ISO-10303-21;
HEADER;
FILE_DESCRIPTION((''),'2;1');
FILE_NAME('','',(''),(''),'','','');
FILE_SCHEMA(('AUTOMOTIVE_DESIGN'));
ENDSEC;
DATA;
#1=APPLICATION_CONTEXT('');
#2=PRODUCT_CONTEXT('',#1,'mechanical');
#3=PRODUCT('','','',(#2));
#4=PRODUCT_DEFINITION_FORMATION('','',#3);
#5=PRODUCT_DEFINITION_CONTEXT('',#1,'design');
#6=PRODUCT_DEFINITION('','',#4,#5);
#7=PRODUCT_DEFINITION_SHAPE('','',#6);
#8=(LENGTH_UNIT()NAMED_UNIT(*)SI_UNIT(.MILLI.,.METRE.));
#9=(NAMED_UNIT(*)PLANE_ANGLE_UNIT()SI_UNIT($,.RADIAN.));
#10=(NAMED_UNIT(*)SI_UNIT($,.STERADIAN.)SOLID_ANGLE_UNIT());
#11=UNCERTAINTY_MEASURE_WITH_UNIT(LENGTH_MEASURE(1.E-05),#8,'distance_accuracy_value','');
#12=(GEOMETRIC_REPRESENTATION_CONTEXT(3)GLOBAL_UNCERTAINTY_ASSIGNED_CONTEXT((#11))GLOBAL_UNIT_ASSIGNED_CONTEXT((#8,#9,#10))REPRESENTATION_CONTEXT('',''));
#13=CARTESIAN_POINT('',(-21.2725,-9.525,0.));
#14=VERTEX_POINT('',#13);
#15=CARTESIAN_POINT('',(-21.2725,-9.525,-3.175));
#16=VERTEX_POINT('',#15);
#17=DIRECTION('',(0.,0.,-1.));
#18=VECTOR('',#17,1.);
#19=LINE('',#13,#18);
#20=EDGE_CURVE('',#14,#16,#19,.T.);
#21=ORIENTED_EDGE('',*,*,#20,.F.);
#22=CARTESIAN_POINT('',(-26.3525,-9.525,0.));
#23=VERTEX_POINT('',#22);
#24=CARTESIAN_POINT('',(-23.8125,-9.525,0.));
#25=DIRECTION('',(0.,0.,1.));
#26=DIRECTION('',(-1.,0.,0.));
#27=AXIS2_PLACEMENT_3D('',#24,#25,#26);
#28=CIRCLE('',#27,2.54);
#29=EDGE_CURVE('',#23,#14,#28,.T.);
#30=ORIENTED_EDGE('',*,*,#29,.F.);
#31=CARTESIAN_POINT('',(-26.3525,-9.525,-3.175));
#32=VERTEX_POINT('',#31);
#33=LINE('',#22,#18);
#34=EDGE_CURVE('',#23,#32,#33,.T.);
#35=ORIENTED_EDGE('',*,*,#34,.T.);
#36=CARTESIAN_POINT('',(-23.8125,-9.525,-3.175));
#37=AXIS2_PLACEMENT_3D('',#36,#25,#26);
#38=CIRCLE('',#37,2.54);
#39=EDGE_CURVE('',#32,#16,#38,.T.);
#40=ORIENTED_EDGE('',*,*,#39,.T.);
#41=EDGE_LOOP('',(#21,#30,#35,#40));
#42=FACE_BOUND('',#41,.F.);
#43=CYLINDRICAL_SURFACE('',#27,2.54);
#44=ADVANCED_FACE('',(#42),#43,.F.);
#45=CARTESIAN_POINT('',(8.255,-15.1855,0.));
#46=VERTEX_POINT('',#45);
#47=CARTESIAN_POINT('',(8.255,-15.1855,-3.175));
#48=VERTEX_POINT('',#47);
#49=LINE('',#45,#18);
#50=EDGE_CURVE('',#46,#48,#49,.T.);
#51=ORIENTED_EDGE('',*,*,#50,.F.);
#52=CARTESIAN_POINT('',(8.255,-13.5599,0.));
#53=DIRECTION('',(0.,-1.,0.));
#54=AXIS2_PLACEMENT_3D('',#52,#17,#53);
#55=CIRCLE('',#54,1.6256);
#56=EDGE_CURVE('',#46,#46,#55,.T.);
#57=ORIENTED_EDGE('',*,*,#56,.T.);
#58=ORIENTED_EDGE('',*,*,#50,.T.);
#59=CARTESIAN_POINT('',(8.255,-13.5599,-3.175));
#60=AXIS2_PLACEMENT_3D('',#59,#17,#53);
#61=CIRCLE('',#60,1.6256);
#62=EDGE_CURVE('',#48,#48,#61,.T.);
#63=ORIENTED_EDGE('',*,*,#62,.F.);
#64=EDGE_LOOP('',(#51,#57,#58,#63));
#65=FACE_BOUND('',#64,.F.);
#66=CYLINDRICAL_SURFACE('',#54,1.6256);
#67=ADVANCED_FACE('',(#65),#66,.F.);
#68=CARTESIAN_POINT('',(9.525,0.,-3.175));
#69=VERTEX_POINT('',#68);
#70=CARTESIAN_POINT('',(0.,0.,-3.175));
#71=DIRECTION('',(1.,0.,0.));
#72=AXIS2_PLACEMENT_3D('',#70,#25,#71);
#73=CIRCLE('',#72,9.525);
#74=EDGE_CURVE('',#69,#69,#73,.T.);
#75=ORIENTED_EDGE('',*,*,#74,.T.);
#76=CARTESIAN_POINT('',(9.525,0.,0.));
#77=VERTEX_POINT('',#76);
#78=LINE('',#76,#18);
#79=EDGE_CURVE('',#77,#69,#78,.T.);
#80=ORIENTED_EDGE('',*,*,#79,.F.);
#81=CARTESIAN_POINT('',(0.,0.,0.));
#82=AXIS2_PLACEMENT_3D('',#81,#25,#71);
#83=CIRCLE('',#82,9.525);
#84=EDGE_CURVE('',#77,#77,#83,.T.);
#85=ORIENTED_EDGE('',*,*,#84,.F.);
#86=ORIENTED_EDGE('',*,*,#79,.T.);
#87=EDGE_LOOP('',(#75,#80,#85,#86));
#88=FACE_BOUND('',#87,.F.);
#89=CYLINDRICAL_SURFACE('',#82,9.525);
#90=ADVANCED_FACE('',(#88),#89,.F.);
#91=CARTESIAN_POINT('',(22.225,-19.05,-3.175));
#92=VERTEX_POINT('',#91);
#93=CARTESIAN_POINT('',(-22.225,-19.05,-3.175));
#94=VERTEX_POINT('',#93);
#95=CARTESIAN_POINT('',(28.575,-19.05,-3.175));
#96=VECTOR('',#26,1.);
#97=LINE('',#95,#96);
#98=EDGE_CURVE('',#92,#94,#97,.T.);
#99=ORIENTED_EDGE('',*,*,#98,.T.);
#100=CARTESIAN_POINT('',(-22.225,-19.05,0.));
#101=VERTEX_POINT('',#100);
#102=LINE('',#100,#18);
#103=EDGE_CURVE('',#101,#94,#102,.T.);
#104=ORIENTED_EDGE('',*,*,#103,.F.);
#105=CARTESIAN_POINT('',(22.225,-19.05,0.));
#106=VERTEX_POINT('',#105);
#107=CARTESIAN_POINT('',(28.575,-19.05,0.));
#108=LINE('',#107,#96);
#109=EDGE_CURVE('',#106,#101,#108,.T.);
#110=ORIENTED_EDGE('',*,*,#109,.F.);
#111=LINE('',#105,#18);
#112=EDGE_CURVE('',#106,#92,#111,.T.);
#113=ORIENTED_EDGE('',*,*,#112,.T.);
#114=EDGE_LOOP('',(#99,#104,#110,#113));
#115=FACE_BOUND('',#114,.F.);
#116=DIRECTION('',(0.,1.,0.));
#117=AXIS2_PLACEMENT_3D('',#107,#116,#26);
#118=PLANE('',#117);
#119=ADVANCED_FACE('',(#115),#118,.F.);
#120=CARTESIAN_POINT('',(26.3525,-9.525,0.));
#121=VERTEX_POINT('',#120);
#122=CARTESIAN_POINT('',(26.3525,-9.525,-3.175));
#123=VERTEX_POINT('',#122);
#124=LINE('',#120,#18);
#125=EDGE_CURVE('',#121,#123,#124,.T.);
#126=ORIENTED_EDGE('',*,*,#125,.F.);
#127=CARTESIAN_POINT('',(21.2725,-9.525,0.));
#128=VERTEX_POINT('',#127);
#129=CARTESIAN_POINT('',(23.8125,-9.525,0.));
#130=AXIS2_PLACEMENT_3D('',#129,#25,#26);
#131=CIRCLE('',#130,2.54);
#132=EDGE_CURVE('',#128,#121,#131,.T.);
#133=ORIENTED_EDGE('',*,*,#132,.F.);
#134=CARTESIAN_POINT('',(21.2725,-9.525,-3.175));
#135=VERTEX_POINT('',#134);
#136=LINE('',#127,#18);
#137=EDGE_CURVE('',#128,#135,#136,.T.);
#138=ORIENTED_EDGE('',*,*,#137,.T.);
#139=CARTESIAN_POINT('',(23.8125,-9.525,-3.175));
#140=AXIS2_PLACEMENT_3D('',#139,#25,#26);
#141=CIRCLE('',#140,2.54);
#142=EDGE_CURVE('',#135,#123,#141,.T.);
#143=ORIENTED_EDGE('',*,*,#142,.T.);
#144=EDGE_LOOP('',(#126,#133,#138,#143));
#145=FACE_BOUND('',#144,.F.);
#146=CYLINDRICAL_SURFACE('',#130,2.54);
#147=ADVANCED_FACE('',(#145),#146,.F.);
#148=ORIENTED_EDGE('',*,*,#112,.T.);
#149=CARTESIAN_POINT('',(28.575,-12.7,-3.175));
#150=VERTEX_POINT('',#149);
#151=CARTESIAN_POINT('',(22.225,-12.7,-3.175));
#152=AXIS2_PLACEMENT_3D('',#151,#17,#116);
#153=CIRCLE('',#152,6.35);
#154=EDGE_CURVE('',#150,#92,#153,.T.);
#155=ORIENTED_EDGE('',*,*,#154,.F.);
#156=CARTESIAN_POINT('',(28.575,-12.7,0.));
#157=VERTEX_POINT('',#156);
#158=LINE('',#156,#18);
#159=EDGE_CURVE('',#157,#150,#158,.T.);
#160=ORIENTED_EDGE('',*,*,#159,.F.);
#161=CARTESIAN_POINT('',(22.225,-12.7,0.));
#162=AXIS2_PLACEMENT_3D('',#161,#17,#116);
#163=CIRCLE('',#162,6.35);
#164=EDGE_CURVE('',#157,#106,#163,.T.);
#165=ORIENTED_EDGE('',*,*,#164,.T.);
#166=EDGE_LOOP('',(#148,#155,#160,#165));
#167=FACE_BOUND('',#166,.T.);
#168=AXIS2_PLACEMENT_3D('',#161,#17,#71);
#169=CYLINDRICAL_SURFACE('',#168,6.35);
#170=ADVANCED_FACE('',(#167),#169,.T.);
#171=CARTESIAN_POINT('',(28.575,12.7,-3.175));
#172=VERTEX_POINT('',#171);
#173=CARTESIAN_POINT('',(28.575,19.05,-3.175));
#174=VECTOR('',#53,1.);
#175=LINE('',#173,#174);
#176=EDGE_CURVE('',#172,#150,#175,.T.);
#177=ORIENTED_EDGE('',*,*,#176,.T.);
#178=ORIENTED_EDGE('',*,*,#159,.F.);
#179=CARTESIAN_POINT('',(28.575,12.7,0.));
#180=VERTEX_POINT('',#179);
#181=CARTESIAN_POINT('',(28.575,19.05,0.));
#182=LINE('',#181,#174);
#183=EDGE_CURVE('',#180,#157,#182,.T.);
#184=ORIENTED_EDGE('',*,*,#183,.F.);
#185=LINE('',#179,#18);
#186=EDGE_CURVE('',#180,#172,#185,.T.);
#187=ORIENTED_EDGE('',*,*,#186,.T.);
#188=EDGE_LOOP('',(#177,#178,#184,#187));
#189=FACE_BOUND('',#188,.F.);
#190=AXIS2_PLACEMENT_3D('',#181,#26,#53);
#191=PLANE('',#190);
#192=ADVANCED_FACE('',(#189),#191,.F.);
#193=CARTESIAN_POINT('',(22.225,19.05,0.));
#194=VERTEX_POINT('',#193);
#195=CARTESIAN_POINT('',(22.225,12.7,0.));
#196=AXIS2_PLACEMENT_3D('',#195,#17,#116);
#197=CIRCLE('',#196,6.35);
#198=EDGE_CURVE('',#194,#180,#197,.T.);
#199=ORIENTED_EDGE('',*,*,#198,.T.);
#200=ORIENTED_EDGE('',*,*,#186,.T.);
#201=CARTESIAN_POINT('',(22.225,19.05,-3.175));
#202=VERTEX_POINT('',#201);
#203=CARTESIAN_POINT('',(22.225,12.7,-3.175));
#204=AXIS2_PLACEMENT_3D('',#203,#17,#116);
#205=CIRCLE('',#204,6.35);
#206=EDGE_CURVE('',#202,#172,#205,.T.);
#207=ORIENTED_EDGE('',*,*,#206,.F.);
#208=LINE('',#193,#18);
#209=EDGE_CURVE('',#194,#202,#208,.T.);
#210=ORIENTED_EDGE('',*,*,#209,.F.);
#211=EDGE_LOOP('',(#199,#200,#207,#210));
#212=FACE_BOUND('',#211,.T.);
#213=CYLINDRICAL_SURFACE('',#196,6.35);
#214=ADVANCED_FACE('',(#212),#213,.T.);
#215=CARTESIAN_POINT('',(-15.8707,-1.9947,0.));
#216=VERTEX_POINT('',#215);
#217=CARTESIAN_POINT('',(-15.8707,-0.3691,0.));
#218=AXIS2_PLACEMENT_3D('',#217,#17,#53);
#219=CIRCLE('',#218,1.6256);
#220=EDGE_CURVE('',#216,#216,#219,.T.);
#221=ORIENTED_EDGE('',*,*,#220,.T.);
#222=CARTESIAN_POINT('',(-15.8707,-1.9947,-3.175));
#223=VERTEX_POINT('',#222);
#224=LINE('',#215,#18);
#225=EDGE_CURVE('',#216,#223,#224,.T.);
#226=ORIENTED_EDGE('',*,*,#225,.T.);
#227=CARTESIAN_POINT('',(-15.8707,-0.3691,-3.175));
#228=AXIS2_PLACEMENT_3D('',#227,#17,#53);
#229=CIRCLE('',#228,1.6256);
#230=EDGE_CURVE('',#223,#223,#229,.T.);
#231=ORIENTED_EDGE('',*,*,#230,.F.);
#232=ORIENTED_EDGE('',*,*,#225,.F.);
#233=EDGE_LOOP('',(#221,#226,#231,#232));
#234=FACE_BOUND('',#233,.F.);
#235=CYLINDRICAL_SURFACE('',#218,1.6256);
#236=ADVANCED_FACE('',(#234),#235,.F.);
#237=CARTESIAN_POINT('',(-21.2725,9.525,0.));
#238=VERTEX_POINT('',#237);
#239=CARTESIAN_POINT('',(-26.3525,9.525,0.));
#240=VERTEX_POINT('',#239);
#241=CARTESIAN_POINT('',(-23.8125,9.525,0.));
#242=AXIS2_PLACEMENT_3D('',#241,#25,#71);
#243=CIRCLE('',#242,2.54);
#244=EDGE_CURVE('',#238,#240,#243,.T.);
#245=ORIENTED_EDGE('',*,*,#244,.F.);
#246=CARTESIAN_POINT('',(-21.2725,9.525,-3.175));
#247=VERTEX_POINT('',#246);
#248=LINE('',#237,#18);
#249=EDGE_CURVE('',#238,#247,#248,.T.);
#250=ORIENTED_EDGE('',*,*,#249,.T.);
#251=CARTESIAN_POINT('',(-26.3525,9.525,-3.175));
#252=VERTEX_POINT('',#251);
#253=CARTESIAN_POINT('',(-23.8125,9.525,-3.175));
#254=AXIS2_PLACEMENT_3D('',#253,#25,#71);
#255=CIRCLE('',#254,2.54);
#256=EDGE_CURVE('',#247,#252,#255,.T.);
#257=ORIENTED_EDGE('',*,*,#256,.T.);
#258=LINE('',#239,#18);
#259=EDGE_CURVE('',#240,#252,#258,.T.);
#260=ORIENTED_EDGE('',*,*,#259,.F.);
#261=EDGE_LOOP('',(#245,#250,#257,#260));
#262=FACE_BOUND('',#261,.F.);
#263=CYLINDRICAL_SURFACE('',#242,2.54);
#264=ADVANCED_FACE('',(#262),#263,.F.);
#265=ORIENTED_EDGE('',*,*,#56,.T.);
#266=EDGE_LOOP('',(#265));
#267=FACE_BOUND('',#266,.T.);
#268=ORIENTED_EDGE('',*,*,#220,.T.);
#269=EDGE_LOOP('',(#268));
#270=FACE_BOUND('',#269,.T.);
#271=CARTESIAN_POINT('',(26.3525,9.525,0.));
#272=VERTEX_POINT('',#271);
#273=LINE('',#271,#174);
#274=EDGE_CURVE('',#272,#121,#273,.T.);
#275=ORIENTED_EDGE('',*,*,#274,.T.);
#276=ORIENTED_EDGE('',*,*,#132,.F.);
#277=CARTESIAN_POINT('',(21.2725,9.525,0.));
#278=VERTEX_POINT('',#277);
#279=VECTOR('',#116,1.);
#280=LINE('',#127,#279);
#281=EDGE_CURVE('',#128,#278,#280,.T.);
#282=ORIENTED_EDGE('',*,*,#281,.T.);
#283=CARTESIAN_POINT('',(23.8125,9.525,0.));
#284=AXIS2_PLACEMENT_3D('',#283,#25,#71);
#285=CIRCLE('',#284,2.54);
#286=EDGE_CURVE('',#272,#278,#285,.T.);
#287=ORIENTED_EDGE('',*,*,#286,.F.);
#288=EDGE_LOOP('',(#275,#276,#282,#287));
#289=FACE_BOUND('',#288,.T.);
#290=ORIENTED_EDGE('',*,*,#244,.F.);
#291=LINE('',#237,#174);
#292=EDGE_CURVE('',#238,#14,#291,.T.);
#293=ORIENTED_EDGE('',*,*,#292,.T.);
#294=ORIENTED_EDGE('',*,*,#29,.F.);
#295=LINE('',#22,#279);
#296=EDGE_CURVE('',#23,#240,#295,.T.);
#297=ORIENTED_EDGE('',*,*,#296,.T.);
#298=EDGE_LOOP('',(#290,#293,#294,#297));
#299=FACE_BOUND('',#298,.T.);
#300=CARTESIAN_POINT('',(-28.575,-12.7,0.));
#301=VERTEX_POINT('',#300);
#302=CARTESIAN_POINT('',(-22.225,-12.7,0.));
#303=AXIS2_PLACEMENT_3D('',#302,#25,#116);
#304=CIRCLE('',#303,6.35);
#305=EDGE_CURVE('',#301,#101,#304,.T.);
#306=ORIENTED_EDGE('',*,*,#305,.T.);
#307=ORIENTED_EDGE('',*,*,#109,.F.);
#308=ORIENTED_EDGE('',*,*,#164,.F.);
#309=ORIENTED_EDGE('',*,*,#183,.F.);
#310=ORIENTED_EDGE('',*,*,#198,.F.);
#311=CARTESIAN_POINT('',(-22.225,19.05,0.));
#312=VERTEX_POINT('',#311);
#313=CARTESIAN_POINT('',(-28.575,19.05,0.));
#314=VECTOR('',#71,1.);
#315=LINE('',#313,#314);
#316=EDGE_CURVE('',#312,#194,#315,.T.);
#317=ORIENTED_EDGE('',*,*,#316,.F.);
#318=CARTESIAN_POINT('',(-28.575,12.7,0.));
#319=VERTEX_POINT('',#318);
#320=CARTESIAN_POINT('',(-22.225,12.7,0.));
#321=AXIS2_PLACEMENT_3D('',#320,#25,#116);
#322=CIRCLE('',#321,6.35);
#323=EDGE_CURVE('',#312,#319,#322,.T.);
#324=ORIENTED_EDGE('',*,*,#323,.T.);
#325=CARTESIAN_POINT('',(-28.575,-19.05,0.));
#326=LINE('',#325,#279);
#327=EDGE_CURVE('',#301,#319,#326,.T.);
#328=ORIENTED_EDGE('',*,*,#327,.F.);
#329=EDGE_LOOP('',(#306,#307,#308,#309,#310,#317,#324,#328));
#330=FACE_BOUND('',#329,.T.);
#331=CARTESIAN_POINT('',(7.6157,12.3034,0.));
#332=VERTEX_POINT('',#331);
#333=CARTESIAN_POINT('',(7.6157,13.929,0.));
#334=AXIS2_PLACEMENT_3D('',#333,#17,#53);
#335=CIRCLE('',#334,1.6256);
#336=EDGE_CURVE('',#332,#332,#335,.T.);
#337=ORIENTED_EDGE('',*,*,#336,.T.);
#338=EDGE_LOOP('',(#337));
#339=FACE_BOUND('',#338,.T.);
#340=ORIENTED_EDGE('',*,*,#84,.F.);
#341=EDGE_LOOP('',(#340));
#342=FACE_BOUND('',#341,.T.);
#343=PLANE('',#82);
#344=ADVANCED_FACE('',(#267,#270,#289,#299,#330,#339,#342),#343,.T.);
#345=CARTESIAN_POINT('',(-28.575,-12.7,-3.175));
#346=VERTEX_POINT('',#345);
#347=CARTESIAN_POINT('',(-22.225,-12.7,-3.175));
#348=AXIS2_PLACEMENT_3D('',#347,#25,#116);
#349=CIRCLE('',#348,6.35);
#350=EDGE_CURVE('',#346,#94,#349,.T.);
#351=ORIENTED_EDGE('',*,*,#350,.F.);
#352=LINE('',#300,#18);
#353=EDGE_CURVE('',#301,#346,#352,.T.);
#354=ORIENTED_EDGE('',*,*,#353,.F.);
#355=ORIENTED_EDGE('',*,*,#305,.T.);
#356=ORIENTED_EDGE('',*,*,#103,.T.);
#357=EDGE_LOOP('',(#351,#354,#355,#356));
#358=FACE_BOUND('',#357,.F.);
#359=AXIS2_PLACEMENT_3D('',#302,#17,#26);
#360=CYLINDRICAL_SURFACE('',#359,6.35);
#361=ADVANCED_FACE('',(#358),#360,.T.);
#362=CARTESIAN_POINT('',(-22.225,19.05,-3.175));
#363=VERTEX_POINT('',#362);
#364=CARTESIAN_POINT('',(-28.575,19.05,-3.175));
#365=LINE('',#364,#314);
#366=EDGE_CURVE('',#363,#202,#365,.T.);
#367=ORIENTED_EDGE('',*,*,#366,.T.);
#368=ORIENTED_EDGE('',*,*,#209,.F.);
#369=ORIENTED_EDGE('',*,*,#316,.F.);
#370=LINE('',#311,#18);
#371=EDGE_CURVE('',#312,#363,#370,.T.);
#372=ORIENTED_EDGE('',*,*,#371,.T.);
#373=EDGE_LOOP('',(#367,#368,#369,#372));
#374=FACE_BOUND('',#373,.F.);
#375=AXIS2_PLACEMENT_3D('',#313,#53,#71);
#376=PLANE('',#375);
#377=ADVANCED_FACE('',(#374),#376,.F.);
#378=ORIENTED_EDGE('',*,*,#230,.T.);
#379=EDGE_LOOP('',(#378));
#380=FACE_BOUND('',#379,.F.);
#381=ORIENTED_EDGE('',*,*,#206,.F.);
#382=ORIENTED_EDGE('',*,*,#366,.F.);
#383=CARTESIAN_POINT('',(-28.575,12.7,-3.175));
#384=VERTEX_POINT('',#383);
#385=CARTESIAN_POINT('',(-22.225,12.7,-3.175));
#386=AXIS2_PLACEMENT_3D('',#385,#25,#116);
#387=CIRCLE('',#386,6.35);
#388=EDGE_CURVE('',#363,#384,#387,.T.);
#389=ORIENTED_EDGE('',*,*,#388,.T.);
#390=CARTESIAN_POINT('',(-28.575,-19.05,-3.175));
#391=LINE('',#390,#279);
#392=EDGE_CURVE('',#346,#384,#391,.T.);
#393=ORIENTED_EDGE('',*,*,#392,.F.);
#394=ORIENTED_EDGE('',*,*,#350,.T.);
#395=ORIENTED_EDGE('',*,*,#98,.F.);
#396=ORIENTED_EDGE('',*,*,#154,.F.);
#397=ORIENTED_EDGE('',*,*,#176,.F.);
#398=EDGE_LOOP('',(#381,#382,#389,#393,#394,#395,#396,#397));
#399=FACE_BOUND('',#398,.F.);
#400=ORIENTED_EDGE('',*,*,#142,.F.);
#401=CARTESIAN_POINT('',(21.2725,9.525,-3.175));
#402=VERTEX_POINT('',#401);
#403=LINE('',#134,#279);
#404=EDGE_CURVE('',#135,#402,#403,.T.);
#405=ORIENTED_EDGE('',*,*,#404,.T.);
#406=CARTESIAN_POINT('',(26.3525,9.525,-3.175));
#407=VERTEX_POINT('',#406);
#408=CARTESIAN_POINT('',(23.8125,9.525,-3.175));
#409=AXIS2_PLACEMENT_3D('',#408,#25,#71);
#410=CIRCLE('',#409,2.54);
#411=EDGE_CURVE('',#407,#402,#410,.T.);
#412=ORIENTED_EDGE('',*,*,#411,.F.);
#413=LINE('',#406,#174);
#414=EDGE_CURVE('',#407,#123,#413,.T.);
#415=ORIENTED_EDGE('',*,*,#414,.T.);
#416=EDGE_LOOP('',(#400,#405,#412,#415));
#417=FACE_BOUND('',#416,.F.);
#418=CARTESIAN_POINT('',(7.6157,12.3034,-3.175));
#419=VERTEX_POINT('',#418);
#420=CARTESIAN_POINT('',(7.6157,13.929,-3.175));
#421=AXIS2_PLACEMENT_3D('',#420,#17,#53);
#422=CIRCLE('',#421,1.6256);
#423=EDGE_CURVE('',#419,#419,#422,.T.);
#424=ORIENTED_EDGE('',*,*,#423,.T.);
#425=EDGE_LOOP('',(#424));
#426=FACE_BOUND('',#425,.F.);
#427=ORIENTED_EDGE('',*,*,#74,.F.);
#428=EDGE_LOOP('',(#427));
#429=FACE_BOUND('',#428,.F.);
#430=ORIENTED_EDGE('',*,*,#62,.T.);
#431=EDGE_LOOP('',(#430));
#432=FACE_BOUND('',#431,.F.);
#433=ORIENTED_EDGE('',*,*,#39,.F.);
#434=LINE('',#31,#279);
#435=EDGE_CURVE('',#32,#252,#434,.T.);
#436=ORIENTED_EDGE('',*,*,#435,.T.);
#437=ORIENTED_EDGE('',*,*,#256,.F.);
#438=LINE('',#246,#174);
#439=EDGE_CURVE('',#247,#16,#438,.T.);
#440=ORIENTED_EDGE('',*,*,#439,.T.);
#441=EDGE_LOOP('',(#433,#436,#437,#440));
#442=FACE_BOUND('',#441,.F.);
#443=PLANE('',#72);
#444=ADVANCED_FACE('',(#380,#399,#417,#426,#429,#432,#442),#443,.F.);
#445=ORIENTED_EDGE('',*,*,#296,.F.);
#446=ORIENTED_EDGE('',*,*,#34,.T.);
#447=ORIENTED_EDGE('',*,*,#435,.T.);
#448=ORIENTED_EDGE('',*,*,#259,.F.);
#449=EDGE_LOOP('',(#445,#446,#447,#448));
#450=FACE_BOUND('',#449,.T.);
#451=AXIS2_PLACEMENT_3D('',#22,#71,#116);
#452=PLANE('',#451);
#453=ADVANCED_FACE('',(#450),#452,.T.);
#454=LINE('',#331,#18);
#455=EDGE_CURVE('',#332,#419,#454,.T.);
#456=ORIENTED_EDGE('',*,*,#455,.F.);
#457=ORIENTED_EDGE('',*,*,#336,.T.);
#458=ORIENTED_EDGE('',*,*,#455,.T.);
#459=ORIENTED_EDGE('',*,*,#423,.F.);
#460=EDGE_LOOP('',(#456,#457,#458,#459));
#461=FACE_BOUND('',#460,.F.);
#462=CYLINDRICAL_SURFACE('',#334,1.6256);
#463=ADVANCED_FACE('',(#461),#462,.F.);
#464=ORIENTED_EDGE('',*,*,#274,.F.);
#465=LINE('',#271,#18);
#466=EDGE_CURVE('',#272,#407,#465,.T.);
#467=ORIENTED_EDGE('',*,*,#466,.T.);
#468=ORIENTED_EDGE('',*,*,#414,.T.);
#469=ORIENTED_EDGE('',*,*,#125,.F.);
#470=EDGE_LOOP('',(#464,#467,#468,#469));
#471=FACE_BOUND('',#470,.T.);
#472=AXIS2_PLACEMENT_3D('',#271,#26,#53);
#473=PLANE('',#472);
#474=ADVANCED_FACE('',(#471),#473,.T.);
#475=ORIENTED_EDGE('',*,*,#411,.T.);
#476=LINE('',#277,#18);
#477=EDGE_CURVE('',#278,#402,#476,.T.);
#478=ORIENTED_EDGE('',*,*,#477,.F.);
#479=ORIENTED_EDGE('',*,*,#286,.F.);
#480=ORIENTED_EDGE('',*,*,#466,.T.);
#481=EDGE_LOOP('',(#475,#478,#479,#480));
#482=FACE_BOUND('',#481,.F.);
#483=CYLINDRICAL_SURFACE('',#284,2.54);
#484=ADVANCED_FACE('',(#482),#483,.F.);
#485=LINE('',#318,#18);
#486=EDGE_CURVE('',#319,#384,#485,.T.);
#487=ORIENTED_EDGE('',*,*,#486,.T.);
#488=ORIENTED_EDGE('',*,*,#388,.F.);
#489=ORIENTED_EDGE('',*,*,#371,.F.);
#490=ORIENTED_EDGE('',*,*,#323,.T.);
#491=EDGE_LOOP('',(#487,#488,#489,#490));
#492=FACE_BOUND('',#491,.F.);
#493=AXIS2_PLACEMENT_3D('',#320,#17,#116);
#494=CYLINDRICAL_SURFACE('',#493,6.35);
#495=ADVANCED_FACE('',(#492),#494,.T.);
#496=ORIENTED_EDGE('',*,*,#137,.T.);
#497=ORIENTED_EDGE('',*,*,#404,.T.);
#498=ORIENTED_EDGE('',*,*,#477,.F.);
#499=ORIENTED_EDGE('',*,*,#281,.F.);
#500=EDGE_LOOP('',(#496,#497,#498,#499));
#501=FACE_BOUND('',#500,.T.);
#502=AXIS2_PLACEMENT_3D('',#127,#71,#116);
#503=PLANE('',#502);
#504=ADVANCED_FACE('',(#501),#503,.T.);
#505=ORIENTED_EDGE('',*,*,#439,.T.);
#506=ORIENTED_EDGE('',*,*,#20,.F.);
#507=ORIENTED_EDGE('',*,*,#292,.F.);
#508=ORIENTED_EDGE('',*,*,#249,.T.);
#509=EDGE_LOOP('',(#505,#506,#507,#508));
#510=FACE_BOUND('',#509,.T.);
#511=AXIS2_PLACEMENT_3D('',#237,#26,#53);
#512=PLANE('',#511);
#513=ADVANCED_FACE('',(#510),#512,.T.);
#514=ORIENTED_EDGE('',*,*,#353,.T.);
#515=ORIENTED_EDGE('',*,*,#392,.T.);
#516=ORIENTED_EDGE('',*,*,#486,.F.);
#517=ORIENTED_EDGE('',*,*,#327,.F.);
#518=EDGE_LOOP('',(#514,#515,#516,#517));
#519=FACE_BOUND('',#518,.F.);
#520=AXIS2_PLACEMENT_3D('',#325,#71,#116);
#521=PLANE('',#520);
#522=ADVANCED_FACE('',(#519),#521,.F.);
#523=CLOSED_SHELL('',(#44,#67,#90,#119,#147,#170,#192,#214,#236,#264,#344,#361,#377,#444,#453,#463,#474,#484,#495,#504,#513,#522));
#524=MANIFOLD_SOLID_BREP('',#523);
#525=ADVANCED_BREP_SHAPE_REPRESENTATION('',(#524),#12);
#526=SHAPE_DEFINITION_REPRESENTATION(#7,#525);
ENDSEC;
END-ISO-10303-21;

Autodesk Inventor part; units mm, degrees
ref_plane "YZ Plane" through (0, 0, 0) normal (1, 0, 0) x (0, 1, 0)
ref_plane "XZ Plane" through (0, 0, 0) normal (0, 1, 0) x (-1, 0, 0)
ref_plane "XY Plane" through (0, 0, 0) normal (0, 0, 1) x (1, 0, 0)
sketch "Sketch1" plane through (0, 0, 0) normal (0, 0, 1) x (1, 0, 0)
  line L0 (-28.575, 19.05) -> (28.575, 19.05)
  line L1 (28.575, 19.05) -> (28.575, -19.05)
  line L2 (28.575, -19.05) -> (-28.575, -19.05)
  line L3 (-28.575, -19.05) -> (-28.575, 19.05)
  circle A0 centre (0, 0) radius 9.525
  circle A1 centre (0, 0) radius 15.875
  line L4 (-26.3525, 9.525) -> (-21.2725, 9.525)
  line L5 (-21.2725, 9.525) -> (-21.2725, -9.525)
  line L6 (-21.2725, -9.525) -> (-26.3525, -9.525)
  line L7 (-26.3525, -9.525) -> (-26.3525, 9.525)
  arc A2 (-21.2725, 9.525) -> (-26.3525, 9.525) centre (-23.8125, 9.525) ccw
  arc A3 (-26.3525, -9.525) -> (-21.2725, -9.525) centre (-23.8125, -9.525) ccw
  line L8 (21.2725, 9.525) -> (26.3525, 9.525)
  line L9 (26.3525, 9.525) -> (26.3525, -9.525)
  line L10 (26.3525, -9.525) -> (21.2725, -9.525)
  line L11 (21.2725, -9.525) -> (21.2725, 9.525)
  arc A4 (26.3525, 9.525) -> (21.2725, 9.525) centre (23.8125, 9.525) ccw
  arc A5 (21.2725, -9.525) -> (26.3525, -9.525) centre (23.8125, -9.525) ccw
  point P0 (7.6157, 13.929)
  point P1 (-15.8707, -0.3691)
  point P2 (8.255, -13.5599)
  dimension "d5" = 31.75
  dimension "d0" = 19.05
  dimension "d1" = 19.05
  dimension "d2" = 38.1
  dimension "d3" = 28.575
  dimension "d4" = 57.15
  dimension "d8" = 360
  dimension "d11" = 4.7625
  dimension "d12" = 19.05
  dimension "d13" = 9.525
  dimension "d14" = 5.08
  dimension "d15" = 19.05
  dimension "d16" = 5.08
  dimension "d17" = 4.7625
  dimension "d33" = 8.255
extrude "Extrusion1" add sketch "Sketch1" against normal blind 3.175 contours L0 L1 L2 L3 | A1
hole "Hole1" at (7.6157, 13.929, 0) at (-15.8707, -0.3691, 0) at (8.255, -13.5599, 0) direction (0, 0, -1) diameter 3.2512 end through all
fillet "Fillet1" radius 6.35 4 edges at (28.575, 19.05, -1.5875) (-28.575, 19.05, -1.5875) (-28.575, -19.05, -1.5875) (28.575, -19.05, -1.5875)
equation "\"d4\" = 2 * d3"
equation "\"d17\" = d11"
properties part number "dewalt tom mounting plate"
